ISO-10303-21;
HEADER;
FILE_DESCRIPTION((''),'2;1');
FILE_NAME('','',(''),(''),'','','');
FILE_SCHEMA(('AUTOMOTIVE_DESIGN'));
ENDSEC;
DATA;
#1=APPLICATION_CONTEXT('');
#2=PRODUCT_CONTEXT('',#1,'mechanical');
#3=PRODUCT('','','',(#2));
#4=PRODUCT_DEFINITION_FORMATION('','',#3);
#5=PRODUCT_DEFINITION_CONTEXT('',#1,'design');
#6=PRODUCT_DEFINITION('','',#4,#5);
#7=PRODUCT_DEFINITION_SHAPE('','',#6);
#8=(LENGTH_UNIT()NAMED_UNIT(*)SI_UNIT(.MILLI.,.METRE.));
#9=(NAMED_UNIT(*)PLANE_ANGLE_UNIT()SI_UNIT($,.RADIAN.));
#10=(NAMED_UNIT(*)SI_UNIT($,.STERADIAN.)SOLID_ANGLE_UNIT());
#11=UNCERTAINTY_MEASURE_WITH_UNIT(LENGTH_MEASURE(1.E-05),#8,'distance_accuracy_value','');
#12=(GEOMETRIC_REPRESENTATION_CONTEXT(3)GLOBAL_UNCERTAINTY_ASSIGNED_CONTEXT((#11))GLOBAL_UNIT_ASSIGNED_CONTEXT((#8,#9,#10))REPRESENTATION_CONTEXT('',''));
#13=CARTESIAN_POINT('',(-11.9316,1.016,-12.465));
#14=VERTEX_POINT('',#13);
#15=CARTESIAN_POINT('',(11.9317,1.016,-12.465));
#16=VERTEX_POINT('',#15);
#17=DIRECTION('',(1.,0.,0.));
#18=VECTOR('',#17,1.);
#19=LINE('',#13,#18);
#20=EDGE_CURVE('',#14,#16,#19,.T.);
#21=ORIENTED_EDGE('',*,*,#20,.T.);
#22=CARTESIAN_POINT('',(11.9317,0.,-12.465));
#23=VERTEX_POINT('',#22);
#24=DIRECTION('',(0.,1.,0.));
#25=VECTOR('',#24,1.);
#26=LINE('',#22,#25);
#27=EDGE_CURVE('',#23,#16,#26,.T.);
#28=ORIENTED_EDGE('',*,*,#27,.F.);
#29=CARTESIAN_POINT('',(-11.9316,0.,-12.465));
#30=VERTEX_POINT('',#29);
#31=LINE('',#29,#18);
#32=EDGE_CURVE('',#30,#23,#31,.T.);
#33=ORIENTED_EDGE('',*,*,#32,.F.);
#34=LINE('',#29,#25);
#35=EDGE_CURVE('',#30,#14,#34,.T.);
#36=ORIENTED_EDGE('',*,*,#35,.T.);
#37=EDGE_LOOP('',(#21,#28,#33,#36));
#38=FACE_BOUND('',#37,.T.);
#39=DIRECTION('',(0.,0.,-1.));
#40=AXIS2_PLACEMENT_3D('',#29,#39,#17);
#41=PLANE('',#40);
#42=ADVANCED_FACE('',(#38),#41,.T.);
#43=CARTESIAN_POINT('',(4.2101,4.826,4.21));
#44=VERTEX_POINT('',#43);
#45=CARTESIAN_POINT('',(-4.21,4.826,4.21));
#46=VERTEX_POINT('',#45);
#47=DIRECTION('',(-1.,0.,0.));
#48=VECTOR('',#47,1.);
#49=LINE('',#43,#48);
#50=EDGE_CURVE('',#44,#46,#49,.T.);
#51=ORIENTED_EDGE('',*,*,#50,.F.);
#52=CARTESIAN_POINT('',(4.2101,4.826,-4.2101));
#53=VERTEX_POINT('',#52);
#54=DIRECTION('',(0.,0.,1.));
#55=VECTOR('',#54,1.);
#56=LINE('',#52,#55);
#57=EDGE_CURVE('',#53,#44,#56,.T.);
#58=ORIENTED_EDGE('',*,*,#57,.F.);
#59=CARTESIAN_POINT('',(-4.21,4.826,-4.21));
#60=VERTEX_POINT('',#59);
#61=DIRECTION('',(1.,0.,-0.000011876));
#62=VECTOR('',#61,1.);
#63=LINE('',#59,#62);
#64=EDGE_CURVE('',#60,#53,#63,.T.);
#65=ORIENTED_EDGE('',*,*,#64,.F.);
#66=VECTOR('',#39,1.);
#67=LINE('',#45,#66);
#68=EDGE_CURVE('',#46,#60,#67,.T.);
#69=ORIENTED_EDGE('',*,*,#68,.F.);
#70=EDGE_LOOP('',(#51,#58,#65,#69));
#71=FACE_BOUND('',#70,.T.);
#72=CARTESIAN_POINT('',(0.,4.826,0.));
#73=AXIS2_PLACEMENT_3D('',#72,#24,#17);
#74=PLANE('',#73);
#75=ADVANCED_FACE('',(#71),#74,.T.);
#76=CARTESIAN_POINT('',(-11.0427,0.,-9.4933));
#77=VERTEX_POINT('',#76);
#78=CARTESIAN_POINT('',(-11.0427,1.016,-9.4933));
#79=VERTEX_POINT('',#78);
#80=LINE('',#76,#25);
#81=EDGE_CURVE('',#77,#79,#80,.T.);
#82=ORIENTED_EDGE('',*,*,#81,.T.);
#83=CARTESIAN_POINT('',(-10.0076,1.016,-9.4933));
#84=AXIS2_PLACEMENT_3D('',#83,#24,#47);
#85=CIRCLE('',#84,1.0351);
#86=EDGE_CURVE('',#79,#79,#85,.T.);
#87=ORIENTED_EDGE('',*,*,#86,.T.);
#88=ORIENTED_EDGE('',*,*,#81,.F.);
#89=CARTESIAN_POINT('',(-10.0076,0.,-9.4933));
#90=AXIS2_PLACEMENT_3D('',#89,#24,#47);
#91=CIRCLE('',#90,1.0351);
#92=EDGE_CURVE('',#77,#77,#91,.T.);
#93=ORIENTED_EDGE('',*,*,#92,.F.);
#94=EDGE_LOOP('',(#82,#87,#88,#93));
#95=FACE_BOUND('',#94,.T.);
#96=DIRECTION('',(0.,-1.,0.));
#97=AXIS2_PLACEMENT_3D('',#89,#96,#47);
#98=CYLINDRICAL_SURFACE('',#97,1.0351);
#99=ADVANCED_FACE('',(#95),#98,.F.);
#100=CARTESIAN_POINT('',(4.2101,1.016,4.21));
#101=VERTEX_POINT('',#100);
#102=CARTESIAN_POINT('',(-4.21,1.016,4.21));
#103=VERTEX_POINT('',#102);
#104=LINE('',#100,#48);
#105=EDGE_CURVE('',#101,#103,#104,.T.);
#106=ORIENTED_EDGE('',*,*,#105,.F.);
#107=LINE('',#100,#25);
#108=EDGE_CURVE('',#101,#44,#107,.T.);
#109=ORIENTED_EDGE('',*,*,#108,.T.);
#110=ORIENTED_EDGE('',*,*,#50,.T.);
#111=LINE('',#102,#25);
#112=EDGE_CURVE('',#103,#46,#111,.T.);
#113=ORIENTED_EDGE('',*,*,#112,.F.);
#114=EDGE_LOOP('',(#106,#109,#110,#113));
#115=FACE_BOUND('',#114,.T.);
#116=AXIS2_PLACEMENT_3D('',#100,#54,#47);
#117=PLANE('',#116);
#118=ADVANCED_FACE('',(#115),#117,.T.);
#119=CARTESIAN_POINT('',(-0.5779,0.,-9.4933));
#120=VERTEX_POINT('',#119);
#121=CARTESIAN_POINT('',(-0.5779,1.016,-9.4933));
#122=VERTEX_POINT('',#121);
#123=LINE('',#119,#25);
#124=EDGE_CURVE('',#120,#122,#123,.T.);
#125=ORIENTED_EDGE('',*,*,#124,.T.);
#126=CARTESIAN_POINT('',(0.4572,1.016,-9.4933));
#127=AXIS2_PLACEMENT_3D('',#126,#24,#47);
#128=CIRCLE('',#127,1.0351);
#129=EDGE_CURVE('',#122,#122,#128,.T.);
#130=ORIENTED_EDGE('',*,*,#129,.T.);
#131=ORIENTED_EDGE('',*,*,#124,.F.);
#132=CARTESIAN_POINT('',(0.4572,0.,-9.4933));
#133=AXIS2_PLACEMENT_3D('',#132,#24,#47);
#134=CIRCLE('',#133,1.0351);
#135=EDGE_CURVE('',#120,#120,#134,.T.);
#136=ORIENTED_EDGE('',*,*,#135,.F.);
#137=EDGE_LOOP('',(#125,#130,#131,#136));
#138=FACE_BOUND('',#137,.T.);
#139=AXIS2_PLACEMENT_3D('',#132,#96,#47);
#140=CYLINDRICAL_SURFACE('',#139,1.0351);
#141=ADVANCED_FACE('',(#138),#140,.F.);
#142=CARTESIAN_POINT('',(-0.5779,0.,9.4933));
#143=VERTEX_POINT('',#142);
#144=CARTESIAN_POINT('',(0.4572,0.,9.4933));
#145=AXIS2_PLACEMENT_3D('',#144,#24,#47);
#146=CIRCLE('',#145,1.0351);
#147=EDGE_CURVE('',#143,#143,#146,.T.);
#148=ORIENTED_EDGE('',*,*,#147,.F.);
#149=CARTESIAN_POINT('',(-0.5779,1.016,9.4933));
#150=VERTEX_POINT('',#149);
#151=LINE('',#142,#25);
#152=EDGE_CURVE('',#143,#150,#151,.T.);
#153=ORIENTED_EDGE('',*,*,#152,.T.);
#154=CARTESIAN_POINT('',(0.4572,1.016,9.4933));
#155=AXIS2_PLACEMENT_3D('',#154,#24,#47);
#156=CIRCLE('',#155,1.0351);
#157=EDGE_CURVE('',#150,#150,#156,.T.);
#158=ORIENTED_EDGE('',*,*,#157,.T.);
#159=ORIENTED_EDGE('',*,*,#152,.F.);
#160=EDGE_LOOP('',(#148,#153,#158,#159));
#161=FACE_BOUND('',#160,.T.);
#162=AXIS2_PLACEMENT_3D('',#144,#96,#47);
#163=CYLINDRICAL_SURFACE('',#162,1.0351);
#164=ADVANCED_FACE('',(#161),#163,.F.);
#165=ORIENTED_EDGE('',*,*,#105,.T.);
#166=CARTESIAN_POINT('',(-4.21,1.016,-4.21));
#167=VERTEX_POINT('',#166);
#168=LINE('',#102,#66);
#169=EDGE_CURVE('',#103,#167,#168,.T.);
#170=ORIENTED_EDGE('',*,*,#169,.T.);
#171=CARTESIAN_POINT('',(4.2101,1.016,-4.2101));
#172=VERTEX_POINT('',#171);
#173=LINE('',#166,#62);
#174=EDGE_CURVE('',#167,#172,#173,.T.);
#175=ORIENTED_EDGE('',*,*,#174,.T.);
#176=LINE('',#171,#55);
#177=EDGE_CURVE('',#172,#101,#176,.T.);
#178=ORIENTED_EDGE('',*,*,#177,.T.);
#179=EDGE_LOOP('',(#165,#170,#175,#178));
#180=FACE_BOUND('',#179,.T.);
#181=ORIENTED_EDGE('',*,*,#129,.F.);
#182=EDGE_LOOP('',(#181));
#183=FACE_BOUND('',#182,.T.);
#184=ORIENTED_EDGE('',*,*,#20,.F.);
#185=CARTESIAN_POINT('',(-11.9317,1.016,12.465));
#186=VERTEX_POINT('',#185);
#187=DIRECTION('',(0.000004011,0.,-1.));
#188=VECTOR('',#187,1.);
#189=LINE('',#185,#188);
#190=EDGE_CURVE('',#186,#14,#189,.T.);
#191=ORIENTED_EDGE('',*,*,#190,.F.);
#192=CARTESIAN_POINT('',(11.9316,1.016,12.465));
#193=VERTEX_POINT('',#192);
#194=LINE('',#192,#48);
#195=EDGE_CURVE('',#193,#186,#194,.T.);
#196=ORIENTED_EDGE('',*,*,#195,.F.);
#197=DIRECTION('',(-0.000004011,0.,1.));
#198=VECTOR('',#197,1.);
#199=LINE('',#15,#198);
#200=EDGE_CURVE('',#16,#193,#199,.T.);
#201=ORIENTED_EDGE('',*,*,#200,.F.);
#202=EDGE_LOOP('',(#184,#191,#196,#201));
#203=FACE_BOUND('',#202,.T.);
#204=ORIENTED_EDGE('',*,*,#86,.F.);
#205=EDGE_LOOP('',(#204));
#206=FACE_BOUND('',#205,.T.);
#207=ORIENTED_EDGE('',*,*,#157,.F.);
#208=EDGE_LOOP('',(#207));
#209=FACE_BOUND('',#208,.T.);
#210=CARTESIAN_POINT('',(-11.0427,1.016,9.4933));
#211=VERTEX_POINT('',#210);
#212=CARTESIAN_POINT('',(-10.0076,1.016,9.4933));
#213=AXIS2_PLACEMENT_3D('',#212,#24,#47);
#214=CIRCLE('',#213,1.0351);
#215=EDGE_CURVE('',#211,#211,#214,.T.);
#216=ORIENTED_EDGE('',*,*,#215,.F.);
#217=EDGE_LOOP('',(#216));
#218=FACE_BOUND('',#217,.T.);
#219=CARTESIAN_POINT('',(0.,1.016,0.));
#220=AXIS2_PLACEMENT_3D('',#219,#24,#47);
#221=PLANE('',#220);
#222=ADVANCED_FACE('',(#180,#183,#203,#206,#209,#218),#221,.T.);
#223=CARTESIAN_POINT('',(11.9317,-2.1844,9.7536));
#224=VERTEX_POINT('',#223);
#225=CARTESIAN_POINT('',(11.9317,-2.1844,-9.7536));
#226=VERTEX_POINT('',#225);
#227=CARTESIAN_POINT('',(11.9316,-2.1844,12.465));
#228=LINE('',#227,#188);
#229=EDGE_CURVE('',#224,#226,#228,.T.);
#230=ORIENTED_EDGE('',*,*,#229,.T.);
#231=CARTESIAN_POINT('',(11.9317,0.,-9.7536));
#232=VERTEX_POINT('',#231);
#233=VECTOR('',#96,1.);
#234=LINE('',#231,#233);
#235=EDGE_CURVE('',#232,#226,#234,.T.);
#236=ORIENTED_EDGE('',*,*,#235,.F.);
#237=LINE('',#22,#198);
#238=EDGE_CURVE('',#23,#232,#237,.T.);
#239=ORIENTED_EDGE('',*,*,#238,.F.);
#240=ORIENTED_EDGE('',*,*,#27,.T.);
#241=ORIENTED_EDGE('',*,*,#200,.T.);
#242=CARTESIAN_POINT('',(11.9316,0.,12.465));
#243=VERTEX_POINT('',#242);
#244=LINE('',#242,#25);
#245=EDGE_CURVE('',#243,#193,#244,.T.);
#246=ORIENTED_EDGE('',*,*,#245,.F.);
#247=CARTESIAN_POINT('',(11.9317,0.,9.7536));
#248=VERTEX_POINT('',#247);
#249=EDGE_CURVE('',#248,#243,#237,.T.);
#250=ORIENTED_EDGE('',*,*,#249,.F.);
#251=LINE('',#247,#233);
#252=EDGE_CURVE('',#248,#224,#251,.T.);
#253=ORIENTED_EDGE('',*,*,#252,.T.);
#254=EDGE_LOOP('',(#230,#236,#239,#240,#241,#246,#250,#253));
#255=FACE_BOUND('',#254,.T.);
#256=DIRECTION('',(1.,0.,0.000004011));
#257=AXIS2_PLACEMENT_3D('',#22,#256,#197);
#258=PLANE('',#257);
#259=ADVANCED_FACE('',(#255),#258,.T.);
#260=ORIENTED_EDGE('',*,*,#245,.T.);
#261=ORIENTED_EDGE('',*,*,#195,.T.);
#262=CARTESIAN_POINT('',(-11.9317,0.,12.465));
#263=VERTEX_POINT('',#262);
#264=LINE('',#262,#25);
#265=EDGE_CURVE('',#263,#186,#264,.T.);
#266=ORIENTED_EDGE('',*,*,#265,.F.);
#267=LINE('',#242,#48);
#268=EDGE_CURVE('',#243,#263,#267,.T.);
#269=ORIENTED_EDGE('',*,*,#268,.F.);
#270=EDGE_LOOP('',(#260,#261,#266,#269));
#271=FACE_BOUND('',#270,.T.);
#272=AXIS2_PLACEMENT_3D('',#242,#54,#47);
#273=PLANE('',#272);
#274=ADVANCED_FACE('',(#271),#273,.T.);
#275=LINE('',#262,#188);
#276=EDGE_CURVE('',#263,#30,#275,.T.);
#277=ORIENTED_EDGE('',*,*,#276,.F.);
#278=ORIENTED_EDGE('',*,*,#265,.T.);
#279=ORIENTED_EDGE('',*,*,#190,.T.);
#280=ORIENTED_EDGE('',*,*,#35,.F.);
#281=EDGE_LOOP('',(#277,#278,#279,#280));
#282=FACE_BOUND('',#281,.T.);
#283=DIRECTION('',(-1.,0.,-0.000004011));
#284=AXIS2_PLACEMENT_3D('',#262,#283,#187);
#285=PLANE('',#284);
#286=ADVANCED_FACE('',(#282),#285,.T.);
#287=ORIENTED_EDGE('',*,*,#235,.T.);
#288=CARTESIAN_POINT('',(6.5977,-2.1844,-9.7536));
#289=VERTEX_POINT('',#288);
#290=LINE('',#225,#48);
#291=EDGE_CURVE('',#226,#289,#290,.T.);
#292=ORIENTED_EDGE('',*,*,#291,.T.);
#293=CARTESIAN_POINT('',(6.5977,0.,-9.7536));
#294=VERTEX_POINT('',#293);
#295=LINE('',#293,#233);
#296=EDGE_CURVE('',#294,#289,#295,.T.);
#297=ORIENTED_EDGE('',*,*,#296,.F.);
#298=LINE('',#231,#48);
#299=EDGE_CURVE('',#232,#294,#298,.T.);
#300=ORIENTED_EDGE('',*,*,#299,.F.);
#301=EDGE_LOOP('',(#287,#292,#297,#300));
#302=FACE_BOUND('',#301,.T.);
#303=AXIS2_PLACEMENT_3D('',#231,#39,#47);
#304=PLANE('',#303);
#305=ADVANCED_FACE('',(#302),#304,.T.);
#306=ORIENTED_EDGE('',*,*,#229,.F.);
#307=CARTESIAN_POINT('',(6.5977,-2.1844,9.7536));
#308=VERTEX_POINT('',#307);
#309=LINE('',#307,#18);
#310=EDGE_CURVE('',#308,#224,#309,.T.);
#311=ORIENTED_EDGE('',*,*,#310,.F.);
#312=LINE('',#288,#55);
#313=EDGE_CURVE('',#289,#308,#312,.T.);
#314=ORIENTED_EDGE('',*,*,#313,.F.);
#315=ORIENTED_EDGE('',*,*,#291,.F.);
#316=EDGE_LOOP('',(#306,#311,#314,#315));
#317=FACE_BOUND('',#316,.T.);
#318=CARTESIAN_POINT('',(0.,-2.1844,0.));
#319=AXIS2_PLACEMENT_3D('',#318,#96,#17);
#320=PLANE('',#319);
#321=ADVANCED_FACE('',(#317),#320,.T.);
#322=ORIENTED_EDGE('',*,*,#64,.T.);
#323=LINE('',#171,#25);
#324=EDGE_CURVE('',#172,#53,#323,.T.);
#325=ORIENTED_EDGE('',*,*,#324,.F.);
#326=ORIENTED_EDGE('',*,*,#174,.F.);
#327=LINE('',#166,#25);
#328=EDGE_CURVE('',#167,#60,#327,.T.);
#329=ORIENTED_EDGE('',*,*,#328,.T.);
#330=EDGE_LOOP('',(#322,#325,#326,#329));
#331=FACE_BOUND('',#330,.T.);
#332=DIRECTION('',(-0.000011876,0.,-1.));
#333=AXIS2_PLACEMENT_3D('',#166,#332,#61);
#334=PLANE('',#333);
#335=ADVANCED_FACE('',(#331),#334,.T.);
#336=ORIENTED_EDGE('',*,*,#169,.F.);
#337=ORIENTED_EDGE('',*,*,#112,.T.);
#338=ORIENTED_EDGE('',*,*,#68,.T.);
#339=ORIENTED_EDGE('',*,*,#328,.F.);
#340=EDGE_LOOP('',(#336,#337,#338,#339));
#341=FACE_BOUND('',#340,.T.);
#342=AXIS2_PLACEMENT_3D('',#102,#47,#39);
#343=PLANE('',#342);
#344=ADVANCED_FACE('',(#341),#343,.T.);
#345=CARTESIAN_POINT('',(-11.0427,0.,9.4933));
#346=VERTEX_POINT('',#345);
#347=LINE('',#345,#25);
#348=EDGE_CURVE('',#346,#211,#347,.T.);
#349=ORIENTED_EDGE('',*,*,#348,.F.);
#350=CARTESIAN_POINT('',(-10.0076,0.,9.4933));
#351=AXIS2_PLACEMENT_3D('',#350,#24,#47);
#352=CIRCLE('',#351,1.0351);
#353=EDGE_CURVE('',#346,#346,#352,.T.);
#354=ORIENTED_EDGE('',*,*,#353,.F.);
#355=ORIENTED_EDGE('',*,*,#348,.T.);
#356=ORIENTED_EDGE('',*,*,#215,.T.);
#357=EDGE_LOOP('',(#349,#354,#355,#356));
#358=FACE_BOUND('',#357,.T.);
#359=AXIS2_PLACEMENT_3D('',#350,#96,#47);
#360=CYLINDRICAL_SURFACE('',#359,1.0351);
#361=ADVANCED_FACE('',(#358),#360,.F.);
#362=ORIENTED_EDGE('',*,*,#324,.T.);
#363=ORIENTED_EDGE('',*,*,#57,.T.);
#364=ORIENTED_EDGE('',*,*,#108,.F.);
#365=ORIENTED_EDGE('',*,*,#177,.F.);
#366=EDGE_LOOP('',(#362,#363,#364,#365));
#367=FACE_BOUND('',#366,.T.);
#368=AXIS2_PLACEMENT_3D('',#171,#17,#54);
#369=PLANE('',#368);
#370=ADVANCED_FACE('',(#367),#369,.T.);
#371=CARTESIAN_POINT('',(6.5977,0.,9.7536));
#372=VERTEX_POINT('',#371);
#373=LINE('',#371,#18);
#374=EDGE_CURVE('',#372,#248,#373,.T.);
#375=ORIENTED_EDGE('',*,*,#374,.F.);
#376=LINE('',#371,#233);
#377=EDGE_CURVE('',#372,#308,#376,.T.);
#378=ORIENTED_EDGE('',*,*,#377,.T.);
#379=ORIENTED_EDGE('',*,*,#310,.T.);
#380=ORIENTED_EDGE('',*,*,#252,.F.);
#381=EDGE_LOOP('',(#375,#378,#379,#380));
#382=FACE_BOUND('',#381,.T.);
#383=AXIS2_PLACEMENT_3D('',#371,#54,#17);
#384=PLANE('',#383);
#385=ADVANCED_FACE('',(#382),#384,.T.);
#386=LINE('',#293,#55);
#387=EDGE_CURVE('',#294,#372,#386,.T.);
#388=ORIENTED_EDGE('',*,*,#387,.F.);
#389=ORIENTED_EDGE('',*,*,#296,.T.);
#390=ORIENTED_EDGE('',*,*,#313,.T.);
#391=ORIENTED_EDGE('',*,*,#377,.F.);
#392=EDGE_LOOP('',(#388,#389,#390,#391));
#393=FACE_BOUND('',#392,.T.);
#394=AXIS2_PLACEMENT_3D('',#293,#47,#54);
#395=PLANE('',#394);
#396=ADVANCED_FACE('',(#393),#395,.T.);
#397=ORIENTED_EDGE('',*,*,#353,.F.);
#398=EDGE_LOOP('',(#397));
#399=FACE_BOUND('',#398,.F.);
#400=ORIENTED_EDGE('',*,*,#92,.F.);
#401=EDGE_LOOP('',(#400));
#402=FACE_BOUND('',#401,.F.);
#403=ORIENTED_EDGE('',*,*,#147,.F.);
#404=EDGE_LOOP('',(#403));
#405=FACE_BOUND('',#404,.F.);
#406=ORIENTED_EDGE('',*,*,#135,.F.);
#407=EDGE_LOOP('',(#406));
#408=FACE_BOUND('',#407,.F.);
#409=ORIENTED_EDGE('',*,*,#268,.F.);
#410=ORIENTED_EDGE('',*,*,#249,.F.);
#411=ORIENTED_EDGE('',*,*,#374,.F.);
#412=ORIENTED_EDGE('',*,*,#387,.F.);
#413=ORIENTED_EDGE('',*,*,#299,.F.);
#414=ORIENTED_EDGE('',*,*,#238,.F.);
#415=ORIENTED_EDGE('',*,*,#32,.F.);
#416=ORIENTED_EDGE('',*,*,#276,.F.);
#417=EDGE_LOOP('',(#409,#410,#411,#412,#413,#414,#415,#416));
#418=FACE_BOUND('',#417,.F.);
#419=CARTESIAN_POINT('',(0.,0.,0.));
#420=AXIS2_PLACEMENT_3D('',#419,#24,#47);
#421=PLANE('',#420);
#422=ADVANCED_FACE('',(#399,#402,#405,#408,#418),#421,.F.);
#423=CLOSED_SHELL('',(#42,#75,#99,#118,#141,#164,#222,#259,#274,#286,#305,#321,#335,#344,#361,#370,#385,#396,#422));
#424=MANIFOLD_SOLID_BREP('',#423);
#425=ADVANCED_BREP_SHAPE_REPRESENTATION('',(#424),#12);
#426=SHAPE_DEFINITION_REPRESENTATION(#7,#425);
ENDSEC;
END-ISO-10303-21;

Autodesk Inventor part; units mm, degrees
ref_plane "YZ Plane" through (0, 0, 0) normal (1, 0, 0) x (0, 1, 0)
ref_plane "XZ Plane" through (0, 0, 0) normal (0, 1, 0) x (-1, 0, 0)
ref_plane "XY Plane" through (0, 0, 0) normal (0, 0, 1) x (1, 0, 0)
sketch "Sketch1" plane through (0, 0, 0) normal (0, 1, 0) x (-1, 0, 0)
  line L0 (-11.9316, 12.465) -> (11.9317, 12.465)
  line L1 (11.9317, 12.465) -> (11.9316, -12.465)
  line L2 (11.9316, -12.465) -> (-11.9317, -12.465)
  line L3 (-11.9317, -12.465) -> (-11.9316, 12.465)
  line L4 (-11.9316, 12.465) -> (11.9316, -12.465) construction
  line L5 (11.9317, 12.465) -> (-11.9317, -12.465) construction
  circle A0 centre (10.0076, 9.4933) radius 1.0351
  line L6 (0, 0) -> (10.0076, 0) construction
  line L7 (10.0076, 0) -> (10.0076, 9.4933) construction
  line L8 (4.7752, 0) -> (4.7752, 3.1605) construction
  circle A1 centre (10.0076, -9.4933) radius 1.0351
  circle A2 centre (-0.4572, 9.4933) radius 1.0351
  circle A3 centre (-0.4572, -9.4933) radius 1.0351
  dimension "d0" = 24.9301
  dimension "d1" = 23.8633
  dimension "d2" = 2.0701
  dimension "d3" = 1.9241
  dimension "d5" = 5.2324
  dimension "d16" = 18.9865
extrude "Extrusion1" add sketch "Sketch1" along normal blind 1.016
sketch "Sketch2" plane through (0, 1.016, 0) normal (0, 1, 0) x (1, 0, 0)
  line L0 (4.2101, -4.21) -> (-4.21, -4.21)
  line L1 (-4.21, -4.21) -> (-4.21, 4.21)
  line L2 (-4.21, 4.21) -> (4.2101, 4.2101)
  line L3 (4.2101, 4.2101) -> (4.2101, -4.21)
  line L4 (4.2101, -4.21) -> (-4.21, 4.21) construction
  line L5 (-4.21, -4.21) -> (4.2101, 4.2101) construction
  point P0 (0, 0)
  dimension "d8" = 8.4201
  dimension "d9" = 8.4201
extrude "Extrusion2" add sketch "Sketch2" along normal blind 3.81
sketch "Sketch3" plane through (0, 0, 0) normal (0, -1, 0) x (1, 0, 0)
  line L0 (11.9316, 12.465) -> (11.9317, -12.465) projected
  line L1 (6.5977, 9.7536) -> (11.9317, 9.7536)
  line L2 (11.9317, 9.7536) -> (11.9317, -9.7536)
  line L3 (11.9317, -9.7536) -> (6.5977, -9.7536)
  line L4 (6.5977, -9.7536) -> (6.5977, 9.7536)
  line L5 (6.5977, 9.7536) -> (11.9317, -9.7536) construction
  line L6 (11.9317, 9.7536) -> (6.5977, -9.7536) construction
  line L7 (0, 0) -> (9.2647, 0) construction
  dimension "d12" = 5.334
  dimension "d13" = 19.5072
extrude "Extrusion3" add sketch "Sketch3" along normal blind 2.1844
properties part number "Camera"
